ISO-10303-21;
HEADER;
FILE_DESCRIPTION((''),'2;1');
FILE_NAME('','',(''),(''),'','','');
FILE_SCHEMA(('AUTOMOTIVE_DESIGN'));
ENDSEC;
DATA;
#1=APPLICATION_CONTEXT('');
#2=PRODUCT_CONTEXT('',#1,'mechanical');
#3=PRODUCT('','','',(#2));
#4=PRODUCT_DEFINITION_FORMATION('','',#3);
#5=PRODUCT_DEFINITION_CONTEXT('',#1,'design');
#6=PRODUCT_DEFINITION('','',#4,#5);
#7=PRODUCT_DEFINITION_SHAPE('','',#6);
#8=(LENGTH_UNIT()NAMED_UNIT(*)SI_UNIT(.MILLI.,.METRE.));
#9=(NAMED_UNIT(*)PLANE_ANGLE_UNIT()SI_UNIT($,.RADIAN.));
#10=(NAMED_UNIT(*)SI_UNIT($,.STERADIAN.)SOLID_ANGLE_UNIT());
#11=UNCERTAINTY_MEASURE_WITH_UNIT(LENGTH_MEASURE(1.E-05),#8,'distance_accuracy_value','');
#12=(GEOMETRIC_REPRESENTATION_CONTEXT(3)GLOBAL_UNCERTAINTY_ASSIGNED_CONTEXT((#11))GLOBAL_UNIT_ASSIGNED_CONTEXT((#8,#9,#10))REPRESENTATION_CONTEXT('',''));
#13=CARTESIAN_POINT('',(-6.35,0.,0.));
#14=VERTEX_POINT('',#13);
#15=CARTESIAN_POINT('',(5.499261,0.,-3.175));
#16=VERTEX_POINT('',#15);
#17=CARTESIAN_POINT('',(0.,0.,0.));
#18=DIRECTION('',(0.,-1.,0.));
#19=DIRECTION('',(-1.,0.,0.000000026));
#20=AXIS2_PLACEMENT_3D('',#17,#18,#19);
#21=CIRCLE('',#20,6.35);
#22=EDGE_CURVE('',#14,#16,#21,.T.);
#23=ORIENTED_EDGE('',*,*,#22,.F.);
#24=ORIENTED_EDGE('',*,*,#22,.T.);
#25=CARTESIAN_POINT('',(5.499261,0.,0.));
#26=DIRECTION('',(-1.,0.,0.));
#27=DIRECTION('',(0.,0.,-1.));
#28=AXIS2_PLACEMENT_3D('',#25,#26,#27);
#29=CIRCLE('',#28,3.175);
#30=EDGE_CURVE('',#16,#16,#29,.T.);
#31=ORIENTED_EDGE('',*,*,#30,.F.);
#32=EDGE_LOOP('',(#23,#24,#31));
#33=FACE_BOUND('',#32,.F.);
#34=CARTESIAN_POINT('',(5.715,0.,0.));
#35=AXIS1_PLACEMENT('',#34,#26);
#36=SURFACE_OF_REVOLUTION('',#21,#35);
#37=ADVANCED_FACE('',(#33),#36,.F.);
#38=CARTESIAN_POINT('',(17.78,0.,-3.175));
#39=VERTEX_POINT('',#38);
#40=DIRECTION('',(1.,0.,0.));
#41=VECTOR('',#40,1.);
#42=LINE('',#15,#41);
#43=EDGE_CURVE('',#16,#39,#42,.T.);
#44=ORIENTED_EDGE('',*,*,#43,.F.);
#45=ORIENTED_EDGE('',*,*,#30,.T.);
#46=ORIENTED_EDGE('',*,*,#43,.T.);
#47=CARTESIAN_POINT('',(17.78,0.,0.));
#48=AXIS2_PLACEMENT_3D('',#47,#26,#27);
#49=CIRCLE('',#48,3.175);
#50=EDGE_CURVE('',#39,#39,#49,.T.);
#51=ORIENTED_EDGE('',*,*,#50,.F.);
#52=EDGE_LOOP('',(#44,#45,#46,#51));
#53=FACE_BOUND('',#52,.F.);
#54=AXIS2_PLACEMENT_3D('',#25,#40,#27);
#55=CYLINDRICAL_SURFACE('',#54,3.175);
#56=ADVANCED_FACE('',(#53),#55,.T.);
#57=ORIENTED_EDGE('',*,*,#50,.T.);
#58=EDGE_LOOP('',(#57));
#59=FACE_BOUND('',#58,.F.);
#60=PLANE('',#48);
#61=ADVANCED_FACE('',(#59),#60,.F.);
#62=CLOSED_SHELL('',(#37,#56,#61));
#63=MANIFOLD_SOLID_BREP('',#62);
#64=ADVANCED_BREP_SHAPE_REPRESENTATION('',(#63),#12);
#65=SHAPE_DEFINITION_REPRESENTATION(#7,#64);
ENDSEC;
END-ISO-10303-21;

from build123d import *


with BuildPart() as f1:
    # F0 (on Front) → F1 (revolve)
    with BuildSketch(Plane.XZ):
        with BuildLine():
            Line((17.78, 0), (-6.35, 0))
            ThreePointArc((-6.35, 0), (-1.643501, -6.133629), (5.499261, -3.175))
            Line((5.499261, -3.175), (17.78, -3.175))
            Line((17.78, -3.175), (17.78, 0))
        make_face()
    revolve(axis=Axis((5.715, 0, 0), (-1, 0, 0)))


solid = f1.part
